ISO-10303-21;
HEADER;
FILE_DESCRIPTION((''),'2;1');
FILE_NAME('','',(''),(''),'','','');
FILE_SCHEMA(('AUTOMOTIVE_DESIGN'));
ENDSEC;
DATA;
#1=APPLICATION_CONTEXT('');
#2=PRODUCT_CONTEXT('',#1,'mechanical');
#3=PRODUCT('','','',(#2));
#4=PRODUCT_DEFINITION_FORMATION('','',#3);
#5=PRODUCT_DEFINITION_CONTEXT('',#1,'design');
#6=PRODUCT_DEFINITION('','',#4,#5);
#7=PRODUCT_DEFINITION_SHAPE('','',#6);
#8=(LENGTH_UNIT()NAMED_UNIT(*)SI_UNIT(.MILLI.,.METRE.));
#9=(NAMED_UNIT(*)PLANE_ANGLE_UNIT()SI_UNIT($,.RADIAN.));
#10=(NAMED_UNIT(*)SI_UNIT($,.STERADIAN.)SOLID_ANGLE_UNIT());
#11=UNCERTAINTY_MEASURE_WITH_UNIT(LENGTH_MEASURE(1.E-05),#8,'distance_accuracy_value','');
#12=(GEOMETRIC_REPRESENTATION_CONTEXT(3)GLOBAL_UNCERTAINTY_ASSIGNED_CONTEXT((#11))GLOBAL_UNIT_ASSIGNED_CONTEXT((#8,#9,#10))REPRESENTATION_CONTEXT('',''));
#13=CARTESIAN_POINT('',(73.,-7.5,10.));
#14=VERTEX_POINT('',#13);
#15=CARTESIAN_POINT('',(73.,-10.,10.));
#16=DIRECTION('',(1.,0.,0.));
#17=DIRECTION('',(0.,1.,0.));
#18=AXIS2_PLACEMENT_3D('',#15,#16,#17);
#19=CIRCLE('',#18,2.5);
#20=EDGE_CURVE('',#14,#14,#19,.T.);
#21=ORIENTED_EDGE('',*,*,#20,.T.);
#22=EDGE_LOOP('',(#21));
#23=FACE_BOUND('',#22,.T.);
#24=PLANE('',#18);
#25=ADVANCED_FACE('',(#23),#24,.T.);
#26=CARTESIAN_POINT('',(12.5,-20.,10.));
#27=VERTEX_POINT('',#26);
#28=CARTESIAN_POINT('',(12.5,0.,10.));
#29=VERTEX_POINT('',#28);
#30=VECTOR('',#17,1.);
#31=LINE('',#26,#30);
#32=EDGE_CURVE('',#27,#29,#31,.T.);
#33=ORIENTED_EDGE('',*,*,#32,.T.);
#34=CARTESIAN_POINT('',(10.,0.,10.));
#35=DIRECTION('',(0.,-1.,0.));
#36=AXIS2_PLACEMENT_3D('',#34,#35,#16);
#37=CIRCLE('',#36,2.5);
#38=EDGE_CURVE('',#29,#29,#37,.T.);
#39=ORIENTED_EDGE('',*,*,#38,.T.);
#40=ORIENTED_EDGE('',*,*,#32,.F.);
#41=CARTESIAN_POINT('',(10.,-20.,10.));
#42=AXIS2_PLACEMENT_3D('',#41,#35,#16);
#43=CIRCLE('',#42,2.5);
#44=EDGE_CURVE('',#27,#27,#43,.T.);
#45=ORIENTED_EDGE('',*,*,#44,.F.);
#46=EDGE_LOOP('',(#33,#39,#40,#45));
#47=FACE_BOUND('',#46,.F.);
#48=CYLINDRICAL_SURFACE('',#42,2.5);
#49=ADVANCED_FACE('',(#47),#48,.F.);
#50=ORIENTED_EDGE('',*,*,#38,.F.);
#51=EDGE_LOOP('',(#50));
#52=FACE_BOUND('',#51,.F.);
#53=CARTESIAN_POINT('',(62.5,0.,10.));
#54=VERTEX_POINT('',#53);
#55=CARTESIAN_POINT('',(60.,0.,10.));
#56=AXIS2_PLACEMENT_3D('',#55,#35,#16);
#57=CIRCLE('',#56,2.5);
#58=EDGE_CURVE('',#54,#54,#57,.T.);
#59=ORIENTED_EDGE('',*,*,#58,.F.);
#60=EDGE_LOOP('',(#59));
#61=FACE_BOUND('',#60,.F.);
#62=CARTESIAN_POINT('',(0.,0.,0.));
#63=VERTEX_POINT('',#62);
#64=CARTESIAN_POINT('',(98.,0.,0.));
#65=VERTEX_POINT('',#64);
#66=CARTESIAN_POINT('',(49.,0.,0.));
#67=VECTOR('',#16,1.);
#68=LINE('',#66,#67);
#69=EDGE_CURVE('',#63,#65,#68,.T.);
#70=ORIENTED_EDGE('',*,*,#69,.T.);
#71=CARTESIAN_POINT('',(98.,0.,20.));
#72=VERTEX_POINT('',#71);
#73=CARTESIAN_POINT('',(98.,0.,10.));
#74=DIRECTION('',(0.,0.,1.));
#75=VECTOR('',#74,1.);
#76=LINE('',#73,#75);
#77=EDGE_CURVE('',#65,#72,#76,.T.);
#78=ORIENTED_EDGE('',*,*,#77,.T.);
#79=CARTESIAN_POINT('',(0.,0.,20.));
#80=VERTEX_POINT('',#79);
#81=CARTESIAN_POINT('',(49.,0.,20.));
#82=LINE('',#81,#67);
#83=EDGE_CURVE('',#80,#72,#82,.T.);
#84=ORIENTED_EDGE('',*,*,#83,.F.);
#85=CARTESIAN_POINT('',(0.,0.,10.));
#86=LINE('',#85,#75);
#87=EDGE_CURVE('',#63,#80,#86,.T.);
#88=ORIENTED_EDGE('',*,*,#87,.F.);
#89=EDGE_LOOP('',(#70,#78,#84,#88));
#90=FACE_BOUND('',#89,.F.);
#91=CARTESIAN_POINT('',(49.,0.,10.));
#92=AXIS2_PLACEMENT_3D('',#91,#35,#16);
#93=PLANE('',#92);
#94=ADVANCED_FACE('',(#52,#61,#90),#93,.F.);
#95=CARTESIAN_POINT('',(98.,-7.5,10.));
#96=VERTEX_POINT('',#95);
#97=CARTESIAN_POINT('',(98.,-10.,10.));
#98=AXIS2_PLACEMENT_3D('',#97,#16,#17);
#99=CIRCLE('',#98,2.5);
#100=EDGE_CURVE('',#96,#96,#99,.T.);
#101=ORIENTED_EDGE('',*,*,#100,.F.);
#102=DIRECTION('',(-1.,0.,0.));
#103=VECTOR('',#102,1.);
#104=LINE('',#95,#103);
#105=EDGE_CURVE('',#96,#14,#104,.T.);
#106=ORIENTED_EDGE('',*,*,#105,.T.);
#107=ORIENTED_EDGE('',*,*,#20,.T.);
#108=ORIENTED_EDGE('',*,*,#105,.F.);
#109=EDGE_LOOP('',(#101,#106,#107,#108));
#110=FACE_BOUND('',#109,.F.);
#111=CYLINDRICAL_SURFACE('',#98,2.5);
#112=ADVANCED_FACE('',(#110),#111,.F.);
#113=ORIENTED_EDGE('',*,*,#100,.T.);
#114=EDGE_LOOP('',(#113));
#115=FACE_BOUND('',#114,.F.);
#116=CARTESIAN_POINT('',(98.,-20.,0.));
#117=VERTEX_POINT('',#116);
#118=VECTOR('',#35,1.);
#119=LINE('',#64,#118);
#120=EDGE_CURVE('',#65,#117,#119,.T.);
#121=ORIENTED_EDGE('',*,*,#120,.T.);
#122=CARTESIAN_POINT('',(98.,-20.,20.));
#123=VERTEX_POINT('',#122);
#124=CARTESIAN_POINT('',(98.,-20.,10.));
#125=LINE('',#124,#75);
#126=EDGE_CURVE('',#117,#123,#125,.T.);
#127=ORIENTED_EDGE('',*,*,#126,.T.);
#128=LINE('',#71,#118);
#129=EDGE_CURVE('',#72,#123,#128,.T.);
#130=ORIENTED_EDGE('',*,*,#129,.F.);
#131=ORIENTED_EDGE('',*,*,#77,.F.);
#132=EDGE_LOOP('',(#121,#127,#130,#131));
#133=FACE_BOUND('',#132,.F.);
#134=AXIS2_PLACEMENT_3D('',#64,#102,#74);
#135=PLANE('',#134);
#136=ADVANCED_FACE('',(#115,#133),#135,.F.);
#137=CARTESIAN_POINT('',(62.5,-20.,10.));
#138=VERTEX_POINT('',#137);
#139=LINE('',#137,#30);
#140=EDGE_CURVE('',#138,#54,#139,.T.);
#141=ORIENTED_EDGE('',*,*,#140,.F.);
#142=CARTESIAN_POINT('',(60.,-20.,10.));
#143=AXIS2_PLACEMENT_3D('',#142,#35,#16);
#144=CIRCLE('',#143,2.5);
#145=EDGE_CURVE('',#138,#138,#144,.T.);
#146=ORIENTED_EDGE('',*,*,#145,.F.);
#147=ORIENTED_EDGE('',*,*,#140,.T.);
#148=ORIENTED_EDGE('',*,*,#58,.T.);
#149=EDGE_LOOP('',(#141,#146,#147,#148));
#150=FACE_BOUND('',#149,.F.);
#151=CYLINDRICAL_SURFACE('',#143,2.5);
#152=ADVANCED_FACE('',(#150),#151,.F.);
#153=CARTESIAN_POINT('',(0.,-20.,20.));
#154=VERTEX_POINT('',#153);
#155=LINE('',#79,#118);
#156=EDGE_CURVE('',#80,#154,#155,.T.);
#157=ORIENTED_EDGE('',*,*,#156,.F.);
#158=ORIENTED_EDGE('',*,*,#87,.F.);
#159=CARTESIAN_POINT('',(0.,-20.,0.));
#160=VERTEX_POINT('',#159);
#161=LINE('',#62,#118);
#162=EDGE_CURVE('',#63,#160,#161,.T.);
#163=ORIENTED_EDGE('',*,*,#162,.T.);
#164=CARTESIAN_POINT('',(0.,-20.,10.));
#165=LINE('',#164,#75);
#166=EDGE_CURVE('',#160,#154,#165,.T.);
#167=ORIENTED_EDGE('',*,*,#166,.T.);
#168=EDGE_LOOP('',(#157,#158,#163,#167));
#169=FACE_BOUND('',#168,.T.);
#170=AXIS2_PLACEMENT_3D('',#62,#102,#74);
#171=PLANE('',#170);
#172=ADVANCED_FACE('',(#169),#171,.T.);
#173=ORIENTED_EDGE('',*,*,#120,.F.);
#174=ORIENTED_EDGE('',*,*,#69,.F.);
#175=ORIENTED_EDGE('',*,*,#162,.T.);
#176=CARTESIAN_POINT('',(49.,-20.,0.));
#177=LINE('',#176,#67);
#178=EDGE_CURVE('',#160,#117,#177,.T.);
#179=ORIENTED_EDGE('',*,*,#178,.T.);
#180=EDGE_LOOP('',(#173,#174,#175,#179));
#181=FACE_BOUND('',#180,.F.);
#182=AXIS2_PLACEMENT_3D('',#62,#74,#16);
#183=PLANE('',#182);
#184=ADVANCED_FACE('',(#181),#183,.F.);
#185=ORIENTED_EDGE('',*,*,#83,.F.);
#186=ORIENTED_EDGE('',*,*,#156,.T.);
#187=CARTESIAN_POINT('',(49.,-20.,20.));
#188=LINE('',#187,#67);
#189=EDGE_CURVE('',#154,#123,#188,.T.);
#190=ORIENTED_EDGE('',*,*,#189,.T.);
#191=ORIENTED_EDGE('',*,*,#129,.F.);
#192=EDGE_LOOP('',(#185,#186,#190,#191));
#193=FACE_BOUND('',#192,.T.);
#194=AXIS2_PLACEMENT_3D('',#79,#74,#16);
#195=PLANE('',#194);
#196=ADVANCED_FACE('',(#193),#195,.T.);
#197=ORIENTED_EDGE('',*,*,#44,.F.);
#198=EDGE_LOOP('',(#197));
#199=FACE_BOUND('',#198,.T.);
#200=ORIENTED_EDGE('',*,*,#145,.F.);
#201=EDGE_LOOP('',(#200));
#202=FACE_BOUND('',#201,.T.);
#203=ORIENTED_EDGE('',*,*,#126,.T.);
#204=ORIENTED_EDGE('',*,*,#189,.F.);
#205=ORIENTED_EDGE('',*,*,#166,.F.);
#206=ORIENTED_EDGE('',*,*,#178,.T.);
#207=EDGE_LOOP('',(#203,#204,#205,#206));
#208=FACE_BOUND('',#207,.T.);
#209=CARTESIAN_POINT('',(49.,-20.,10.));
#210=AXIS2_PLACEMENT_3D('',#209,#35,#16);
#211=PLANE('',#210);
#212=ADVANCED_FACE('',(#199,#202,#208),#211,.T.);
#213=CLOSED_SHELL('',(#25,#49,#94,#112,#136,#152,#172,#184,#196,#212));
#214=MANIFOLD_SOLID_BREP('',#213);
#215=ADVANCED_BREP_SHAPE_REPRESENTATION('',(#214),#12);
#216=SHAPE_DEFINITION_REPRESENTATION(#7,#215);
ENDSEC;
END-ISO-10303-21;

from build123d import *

# Parameters (mm, degrees)
F0_W     = 98
F0_H     = 20
F1_DEPTH = 20
F2_R     = 2.5
F3_DEPTH = 25
F4_R     = 2.5
F5_DEPTH = 20.001


with BuildPart() as f1:
    # F0 (on Front) → F1 (new body)
    with BuildSketch(Plane.XZ):
        with Locations((49, 10)):
            Rectangle(F0_W, F0_H)
    extrude(amount=F1_DEPTH)

    # F2 (on face) → F3 (cut)
    with BuildSketch(Plane.YZ.offset(98)):
        with Locations((-10, 10)):
            Circle(F2_R)
    extrude(amount=-F3_DEPTH, mode=Mode.SUBTRACT)

    # F4 (on face) → F5 (cut, through all)
    with BuildSketch(Plane.XZ.offset(20)):
        with Locations((10, 10)):
            Circle(F4_R)
        with Locations((60, 10)):
            Circle(F4_R)
    extrude(amount=-F5_DEPTH, mode=Mode.SUBTRACT)


solid = f1.part
